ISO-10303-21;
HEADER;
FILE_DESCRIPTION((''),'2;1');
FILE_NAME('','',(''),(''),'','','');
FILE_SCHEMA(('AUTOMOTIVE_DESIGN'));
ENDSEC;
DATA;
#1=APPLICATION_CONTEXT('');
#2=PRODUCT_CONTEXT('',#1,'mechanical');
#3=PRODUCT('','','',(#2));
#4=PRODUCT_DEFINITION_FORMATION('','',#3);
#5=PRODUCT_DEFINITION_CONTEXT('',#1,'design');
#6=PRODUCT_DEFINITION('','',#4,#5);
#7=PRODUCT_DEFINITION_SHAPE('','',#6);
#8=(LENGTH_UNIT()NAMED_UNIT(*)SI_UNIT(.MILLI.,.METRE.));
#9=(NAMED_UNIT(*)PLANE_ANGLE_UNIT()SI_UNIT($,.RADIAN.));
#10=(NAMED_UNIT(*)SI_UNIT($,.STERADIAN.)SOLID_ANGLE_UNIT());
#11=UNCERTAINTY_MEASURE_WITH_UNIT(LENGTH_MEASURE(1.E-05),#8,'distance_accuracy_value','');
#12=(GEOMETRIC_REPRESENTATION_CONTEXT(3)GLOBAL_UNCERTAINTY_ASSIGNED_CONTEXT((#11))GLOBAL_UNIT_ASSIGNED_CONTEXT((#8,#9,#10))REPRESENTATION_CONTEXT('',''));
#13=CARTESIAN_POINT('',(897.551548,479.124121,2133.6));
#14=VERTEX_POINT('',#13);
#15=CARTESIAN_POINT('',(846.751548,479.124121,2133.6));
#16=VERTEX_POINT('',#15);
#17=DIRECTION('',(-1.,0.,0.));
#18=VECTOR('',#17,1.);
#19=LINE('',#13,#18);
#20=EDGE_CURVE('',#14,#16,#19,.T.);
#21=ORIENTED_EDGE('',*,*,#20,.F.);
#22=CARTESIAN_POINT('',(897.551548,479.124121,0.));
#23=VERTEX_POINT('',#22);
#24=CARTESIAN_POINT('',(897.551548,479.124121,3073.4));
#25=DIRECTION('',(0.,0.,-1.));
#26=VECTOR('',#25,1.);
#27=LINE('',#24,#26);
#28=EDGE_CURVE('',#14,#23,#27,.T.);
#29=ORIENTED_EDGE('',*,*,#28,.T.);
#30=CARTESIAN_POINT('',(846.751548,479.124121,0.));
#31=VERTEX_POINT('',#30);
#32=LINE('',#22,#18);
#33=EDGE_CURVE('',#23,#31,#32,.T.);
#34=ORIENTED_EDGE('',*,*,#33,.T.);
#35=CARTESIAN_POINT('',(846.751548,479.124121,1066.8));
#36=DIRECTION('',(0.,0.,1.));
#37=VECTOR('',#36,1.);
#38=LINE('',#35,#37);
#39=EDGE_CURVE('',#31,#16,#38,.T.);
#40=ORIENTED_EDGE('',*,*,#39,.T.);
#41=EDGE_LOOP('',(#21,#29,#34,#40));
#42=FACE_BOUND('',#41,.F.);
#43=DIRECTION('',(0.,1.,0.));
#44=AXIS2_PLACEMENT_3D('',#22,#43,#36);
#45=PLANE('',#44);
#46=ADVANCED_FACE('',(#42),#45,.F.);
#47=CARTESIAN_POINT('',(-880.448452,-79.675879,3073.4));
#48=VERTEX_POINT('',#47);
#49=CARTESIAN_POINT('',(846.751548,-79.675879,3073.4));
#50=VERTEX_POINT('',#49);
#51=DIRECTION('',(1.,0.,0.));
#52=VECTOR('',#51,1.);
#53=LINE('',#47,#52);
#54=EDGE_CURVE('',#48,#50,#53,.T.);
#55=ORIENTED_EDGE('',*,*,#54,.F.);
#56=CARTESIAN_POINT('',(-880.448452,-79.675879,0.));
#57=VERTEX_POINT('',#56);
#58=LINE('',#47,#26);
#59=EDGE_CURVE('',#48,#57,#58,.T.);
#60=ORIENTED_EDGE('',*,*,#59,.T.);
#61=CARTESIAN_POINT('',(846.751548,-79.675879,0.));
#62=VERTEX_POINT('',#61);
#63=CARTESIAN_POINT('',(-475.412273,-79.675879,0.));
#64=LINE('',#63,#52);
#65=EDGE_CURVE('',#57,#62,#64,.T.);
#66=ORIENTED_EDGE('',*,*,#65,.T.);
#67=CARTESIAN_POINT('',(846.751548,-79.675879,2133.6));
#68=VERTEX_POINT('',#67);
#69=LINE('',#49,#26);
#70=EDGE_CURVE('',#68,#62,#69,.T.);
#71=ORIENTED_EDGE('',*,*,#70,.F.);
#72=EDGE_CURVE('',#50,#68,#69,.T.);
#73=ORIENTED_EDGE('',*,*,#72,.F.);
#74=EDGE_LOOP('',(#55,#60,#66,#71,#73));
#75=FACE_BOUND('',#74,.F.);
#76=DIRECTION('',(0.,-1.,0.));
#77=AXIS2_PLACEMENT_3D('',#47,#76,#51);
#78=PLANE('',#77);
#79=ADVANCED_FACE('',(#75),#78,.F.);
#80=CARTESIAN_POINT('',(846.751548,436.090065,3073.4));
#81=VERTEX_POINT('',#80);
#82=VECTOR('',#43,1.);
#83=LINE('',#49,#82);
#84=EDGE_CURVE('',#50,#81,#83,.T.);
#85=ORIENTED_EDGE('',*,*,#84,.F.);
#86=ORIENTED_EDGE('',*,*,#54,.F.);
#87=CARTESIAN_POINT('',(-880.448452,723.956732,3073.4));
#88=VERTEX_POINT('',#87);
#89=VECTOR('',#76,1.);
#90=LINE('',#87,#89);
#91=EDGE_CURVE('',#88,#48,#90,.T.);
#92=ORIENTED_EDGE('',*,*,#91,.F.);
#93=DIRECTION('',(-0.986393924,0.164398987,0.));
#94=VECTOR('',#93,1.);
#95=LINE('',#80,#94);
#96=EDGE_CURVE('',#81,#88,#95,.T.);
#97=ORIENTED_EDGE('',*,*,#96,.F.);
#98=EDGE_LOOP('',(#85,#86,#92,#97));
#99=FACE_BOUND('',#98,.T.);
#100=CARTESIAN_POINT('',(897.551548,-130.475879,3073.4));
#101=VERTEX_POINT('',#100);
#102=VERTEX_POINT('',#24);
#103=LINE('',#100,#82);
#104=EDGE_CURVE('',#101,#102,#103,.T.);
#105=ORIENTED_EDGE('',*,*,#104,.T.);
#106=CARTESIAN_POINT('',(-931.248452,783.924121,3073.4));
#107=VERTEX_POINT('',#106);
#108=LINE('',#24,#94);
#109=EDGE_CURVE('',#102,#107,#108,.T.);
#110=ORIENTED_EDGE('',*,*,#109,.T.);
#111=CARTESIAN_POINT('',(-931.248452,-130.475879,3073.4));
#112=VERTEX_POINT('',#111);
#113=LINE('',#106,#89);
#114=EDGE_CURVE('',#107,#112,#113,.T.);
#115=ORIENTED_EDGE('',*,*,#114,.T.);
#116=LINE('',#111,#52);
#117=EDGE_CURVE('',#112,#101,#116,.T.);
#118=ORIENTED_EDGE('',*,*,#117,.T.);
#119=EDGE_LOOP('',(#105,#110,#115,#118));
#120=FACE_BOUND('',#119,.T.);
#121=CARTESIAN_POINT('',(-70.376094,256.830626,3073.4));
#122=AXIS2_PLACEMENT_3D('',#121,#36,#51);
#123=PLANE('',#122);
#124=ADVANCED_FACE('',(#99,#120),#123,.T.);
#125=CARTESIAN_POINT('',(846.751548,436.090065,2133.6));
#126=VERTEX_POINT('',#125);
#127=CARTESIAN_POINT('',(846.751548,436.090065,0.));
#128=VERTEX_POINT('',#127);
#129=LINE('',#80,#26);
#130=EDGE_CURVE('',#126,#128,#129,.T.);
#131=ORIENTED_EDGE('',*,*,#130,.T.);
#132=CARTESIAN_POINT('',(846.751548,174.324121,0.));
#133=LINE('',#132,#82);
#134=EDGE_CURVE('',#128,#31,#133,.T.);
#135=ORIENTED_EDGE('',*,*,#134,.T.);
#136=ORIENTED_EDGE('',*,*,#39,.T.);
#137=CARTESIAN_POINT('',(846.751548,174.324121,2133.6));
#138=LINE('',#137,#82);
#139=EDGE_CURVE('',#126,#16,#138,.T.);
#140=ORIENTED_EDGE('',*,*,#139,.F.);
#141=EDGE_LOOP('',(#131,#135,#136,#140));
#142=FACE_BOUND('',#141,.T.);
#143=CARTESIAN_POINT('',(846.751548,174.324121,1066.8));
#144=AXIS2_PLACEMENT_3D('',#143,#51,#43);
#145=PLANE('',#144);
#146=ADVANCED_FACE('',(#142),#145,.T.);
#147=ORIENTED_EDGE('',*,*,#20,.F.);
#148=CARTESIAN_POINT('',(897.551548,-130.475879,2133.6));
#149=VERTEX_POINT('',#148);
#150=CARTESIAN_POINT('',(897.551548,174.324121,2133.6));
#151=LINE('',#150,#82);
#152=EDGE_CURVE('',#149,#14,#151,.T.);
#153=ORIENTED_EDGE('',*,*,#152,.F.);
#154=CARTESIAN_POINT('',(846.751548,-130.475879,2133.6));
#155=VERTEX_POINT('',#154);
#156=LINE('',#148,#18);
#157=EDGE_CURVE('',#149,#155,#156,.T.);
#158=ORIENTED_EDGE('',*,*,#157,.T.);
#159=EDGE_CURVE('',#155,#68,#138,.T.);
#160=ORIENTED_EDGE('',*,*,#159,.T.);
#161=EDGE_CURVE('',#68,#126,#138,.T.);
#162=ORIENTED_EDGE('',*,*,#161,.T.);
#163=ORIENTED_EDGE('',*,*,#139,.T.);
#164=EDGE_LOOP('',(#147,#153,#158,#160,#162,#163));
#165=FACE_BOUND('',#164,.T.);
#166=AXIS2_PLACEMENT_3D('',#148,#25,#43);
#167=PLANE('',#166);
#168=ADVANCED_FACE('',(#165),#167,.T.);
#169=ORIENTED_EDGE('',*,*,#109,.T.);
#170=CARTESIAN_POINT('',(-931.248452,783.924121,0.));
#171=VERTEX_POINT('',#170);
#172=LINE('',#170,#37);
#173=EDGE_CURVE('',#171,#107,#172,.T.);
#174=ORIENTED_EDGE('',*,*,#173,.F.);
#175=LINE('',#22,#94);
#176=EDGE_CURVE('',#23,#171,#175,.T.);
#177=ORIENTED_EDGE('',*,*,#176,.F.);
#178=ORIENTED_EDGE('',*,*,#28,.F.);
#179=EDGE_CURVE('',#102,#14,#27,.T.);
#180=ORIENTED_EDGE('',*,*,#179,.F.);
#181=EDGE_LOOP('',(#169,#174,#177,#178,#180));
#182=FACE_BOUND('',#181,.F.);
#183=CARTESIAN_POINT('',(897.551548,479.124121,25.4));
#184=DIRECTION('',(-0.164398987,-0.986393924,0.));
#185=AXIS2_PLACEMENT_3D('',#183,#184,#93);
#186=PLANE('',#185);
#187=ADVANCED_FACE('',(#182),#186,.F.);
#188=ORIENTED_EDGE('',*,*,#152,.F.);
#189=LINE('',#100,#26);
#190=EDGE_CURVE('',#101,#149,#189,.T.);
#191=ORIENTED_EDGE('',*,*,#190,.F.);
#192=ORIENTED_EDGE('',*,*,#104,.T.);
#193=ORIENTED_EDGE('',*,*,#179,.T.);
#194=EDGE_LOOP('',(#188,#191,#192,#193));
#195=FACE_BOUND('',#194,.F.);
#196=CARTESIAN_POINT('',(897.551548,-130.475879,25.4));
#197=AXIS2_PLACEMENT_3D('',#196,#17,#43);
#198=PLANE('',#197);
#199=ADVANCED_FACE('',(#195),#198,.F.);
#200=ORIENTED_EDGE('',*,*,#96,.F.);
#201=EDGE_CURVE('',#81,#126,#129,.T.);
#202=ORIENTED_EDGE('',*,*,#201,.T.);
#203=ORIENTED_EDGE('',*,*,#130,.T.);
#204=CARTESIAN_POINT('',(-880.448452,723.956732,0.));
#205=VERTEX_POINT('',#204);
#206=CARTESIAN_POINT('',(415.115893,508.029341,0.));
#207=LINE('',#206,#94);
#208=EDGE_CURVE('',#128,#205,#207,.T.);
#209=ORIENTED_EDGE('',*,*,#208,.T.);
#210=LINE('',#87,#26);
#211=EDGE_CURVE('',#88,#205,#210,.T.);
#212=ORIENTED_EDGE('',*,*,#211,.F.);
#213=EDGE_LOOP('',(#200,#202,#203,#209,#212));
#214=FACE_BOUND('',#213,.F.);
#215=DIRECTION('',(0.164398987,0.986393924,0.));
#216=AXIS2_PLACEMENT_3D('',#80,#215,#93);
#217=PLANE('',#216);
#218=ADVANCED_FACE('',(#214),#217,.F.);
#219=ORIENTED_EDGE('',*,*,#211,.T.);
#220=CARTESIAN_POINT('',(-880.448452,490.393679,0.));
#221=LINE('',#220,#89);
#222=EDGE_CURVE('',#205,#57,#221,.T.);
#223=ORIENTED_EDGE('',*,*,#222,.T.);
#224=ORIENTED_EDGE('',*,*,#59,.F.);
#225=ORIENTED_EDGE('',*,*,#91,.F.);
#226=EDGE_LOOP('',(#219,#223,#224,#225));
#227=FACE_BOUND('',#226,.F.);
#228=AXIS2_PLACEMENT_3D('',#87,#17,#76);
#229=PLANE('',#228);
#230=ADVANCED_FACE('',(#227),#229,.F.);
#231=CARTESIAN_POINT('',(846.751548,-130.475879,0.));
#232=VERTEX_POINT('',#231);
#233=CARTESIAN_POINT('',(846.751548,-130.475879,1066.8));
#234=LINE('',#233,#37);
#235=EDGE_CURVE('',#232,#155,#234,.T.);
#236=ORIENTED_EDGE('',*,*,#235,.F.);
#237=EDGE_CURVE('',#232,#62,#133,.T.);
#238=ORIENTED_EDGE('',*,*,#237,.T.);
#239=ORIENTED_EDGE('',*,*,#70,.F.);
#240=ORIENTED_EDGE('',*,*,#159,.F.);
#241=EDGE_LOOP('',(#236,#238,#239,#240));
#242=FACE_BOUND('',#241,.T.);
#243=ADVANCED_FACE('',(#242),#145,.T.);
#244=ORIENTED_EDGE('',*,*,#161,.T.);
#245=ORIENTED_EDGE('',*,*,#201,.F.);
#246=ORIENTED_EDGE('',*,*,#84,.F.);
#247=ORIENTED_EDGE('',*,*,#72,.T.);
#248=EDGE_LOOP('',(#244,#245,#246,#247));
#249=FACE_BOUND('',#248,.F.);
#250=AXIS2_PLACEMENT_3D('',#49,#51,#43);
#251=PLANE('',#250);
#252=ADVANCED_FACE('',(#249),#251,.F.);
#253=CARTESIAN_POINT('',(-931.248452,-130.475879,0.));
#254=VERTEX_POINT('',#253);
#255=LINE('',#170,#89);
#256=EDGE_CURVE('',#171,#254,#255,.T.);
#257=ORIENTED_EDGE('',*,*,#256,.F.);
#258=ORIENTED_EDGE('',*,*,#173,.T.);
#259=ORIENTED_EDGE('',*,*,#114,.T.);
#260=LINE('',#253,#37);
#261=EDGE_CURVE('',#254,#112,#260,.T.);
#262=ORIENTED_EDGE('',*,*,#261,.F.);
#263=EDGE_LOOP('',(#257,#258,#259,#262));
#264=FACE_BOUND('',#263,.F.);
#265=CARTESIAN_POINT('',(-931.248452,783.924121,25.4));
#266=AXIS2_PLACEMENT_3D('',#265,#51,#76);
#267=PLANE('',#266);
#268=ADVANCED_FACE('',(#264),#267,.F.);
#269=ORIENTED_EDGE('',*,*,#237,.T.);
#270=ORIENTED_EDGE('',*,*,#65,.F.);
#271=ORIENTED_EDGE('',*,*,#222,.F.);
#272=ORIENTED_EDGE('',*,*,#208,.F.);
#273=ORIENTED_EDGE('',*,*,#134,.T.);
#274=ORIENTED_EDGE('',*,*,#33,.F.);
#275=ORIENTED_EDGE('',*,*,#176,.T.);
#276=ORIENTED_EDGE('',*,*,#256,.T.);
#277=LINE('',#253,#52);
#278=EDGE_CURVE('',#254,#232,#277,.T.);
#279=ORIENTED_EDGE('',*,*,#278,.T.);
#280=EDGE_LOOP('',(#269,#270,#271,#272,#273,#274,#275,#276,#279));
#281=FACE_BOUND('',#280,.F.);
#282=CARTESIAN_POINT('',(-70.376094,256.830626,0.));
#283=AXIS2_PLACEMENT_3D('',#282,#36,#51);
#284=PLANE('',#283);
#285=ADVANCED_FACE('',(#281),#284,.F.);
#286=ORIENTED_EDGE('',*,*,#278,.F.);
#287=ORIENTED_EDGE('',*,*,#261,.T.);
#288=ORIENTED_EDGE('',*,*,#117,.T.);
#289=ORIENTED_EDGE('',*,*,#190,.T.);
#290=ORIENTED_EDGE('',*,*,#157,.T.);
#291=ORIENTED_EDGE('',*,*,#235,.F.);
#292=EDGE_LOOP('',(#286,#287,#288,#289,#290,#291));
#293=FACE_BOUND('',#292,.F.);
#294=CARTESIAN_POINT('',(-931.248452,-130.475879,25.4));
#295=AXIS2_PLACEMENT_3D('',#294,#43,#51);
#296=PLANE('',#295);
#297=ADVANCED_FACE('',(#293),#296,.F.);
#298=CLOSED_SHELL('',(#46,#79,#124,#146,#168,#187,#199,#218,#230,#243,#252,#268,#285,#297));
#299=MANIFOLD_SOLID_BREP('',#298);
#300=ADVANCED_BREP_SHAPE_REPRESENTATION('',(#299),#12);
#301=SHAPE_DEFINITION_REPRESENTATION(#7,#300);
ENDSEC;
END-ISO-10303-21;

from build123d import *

# Parameters (mm, degrees)
F2_DEPTH = 25.4
F3_DEPTH = 3048
F5_DEPTH = 3302
F6_W     = 609.6
F6_H     = 2133.6
F7_DEPTH = 50.8


with BuildPart() as f2:
    # F1 (on Top) → F2 (new body)
    with BuildSketch(Plane.XY):
        Polygon((-931.248452, 783.924121), (-931.248452, -130.475879), (897.551548, -130.475879), (897.551548, 479.124121), align=None)
    extrude(amount=F2_DEPTH)

    # F2_face (on face) → F3 (join)
    with BuildSketch(Plane(origin=(-77.808452, 255.604121, 25.4), x_dir=(1, 0, 0), z_dir=(0, 0, 1))):
        Polygon((975.36, 223.52), (-853.44, 528.32), (-853.44, -386.08), (975.36, -386.08), align=None)
    extrude(amount=F3_DEPTH)

    # F4 (on face) → F5 (cut)
    with BuildSketch(Plane.XY.offset(3073.4)):
        Polygon((846.751548, -79.675879), (846.751548, 436.090065), (-880.448452, 723.956732), (-880.448452, -79.675879), align=None)
    extrude(amount=-F5_DEPTH, mode=Mode.SUBTRACT)

    # F6 (on face) → F7 (cut)
    with BuildSketch(Plane.YZ.offset(897.551548)):
        with Locations((174.324121, 1066.8)):
            Rectangle(F6_W, F6_H)
    extrude(amount=-F7_DEPTH, mode=Mode.SUBTRACT)


solid = f2.part
